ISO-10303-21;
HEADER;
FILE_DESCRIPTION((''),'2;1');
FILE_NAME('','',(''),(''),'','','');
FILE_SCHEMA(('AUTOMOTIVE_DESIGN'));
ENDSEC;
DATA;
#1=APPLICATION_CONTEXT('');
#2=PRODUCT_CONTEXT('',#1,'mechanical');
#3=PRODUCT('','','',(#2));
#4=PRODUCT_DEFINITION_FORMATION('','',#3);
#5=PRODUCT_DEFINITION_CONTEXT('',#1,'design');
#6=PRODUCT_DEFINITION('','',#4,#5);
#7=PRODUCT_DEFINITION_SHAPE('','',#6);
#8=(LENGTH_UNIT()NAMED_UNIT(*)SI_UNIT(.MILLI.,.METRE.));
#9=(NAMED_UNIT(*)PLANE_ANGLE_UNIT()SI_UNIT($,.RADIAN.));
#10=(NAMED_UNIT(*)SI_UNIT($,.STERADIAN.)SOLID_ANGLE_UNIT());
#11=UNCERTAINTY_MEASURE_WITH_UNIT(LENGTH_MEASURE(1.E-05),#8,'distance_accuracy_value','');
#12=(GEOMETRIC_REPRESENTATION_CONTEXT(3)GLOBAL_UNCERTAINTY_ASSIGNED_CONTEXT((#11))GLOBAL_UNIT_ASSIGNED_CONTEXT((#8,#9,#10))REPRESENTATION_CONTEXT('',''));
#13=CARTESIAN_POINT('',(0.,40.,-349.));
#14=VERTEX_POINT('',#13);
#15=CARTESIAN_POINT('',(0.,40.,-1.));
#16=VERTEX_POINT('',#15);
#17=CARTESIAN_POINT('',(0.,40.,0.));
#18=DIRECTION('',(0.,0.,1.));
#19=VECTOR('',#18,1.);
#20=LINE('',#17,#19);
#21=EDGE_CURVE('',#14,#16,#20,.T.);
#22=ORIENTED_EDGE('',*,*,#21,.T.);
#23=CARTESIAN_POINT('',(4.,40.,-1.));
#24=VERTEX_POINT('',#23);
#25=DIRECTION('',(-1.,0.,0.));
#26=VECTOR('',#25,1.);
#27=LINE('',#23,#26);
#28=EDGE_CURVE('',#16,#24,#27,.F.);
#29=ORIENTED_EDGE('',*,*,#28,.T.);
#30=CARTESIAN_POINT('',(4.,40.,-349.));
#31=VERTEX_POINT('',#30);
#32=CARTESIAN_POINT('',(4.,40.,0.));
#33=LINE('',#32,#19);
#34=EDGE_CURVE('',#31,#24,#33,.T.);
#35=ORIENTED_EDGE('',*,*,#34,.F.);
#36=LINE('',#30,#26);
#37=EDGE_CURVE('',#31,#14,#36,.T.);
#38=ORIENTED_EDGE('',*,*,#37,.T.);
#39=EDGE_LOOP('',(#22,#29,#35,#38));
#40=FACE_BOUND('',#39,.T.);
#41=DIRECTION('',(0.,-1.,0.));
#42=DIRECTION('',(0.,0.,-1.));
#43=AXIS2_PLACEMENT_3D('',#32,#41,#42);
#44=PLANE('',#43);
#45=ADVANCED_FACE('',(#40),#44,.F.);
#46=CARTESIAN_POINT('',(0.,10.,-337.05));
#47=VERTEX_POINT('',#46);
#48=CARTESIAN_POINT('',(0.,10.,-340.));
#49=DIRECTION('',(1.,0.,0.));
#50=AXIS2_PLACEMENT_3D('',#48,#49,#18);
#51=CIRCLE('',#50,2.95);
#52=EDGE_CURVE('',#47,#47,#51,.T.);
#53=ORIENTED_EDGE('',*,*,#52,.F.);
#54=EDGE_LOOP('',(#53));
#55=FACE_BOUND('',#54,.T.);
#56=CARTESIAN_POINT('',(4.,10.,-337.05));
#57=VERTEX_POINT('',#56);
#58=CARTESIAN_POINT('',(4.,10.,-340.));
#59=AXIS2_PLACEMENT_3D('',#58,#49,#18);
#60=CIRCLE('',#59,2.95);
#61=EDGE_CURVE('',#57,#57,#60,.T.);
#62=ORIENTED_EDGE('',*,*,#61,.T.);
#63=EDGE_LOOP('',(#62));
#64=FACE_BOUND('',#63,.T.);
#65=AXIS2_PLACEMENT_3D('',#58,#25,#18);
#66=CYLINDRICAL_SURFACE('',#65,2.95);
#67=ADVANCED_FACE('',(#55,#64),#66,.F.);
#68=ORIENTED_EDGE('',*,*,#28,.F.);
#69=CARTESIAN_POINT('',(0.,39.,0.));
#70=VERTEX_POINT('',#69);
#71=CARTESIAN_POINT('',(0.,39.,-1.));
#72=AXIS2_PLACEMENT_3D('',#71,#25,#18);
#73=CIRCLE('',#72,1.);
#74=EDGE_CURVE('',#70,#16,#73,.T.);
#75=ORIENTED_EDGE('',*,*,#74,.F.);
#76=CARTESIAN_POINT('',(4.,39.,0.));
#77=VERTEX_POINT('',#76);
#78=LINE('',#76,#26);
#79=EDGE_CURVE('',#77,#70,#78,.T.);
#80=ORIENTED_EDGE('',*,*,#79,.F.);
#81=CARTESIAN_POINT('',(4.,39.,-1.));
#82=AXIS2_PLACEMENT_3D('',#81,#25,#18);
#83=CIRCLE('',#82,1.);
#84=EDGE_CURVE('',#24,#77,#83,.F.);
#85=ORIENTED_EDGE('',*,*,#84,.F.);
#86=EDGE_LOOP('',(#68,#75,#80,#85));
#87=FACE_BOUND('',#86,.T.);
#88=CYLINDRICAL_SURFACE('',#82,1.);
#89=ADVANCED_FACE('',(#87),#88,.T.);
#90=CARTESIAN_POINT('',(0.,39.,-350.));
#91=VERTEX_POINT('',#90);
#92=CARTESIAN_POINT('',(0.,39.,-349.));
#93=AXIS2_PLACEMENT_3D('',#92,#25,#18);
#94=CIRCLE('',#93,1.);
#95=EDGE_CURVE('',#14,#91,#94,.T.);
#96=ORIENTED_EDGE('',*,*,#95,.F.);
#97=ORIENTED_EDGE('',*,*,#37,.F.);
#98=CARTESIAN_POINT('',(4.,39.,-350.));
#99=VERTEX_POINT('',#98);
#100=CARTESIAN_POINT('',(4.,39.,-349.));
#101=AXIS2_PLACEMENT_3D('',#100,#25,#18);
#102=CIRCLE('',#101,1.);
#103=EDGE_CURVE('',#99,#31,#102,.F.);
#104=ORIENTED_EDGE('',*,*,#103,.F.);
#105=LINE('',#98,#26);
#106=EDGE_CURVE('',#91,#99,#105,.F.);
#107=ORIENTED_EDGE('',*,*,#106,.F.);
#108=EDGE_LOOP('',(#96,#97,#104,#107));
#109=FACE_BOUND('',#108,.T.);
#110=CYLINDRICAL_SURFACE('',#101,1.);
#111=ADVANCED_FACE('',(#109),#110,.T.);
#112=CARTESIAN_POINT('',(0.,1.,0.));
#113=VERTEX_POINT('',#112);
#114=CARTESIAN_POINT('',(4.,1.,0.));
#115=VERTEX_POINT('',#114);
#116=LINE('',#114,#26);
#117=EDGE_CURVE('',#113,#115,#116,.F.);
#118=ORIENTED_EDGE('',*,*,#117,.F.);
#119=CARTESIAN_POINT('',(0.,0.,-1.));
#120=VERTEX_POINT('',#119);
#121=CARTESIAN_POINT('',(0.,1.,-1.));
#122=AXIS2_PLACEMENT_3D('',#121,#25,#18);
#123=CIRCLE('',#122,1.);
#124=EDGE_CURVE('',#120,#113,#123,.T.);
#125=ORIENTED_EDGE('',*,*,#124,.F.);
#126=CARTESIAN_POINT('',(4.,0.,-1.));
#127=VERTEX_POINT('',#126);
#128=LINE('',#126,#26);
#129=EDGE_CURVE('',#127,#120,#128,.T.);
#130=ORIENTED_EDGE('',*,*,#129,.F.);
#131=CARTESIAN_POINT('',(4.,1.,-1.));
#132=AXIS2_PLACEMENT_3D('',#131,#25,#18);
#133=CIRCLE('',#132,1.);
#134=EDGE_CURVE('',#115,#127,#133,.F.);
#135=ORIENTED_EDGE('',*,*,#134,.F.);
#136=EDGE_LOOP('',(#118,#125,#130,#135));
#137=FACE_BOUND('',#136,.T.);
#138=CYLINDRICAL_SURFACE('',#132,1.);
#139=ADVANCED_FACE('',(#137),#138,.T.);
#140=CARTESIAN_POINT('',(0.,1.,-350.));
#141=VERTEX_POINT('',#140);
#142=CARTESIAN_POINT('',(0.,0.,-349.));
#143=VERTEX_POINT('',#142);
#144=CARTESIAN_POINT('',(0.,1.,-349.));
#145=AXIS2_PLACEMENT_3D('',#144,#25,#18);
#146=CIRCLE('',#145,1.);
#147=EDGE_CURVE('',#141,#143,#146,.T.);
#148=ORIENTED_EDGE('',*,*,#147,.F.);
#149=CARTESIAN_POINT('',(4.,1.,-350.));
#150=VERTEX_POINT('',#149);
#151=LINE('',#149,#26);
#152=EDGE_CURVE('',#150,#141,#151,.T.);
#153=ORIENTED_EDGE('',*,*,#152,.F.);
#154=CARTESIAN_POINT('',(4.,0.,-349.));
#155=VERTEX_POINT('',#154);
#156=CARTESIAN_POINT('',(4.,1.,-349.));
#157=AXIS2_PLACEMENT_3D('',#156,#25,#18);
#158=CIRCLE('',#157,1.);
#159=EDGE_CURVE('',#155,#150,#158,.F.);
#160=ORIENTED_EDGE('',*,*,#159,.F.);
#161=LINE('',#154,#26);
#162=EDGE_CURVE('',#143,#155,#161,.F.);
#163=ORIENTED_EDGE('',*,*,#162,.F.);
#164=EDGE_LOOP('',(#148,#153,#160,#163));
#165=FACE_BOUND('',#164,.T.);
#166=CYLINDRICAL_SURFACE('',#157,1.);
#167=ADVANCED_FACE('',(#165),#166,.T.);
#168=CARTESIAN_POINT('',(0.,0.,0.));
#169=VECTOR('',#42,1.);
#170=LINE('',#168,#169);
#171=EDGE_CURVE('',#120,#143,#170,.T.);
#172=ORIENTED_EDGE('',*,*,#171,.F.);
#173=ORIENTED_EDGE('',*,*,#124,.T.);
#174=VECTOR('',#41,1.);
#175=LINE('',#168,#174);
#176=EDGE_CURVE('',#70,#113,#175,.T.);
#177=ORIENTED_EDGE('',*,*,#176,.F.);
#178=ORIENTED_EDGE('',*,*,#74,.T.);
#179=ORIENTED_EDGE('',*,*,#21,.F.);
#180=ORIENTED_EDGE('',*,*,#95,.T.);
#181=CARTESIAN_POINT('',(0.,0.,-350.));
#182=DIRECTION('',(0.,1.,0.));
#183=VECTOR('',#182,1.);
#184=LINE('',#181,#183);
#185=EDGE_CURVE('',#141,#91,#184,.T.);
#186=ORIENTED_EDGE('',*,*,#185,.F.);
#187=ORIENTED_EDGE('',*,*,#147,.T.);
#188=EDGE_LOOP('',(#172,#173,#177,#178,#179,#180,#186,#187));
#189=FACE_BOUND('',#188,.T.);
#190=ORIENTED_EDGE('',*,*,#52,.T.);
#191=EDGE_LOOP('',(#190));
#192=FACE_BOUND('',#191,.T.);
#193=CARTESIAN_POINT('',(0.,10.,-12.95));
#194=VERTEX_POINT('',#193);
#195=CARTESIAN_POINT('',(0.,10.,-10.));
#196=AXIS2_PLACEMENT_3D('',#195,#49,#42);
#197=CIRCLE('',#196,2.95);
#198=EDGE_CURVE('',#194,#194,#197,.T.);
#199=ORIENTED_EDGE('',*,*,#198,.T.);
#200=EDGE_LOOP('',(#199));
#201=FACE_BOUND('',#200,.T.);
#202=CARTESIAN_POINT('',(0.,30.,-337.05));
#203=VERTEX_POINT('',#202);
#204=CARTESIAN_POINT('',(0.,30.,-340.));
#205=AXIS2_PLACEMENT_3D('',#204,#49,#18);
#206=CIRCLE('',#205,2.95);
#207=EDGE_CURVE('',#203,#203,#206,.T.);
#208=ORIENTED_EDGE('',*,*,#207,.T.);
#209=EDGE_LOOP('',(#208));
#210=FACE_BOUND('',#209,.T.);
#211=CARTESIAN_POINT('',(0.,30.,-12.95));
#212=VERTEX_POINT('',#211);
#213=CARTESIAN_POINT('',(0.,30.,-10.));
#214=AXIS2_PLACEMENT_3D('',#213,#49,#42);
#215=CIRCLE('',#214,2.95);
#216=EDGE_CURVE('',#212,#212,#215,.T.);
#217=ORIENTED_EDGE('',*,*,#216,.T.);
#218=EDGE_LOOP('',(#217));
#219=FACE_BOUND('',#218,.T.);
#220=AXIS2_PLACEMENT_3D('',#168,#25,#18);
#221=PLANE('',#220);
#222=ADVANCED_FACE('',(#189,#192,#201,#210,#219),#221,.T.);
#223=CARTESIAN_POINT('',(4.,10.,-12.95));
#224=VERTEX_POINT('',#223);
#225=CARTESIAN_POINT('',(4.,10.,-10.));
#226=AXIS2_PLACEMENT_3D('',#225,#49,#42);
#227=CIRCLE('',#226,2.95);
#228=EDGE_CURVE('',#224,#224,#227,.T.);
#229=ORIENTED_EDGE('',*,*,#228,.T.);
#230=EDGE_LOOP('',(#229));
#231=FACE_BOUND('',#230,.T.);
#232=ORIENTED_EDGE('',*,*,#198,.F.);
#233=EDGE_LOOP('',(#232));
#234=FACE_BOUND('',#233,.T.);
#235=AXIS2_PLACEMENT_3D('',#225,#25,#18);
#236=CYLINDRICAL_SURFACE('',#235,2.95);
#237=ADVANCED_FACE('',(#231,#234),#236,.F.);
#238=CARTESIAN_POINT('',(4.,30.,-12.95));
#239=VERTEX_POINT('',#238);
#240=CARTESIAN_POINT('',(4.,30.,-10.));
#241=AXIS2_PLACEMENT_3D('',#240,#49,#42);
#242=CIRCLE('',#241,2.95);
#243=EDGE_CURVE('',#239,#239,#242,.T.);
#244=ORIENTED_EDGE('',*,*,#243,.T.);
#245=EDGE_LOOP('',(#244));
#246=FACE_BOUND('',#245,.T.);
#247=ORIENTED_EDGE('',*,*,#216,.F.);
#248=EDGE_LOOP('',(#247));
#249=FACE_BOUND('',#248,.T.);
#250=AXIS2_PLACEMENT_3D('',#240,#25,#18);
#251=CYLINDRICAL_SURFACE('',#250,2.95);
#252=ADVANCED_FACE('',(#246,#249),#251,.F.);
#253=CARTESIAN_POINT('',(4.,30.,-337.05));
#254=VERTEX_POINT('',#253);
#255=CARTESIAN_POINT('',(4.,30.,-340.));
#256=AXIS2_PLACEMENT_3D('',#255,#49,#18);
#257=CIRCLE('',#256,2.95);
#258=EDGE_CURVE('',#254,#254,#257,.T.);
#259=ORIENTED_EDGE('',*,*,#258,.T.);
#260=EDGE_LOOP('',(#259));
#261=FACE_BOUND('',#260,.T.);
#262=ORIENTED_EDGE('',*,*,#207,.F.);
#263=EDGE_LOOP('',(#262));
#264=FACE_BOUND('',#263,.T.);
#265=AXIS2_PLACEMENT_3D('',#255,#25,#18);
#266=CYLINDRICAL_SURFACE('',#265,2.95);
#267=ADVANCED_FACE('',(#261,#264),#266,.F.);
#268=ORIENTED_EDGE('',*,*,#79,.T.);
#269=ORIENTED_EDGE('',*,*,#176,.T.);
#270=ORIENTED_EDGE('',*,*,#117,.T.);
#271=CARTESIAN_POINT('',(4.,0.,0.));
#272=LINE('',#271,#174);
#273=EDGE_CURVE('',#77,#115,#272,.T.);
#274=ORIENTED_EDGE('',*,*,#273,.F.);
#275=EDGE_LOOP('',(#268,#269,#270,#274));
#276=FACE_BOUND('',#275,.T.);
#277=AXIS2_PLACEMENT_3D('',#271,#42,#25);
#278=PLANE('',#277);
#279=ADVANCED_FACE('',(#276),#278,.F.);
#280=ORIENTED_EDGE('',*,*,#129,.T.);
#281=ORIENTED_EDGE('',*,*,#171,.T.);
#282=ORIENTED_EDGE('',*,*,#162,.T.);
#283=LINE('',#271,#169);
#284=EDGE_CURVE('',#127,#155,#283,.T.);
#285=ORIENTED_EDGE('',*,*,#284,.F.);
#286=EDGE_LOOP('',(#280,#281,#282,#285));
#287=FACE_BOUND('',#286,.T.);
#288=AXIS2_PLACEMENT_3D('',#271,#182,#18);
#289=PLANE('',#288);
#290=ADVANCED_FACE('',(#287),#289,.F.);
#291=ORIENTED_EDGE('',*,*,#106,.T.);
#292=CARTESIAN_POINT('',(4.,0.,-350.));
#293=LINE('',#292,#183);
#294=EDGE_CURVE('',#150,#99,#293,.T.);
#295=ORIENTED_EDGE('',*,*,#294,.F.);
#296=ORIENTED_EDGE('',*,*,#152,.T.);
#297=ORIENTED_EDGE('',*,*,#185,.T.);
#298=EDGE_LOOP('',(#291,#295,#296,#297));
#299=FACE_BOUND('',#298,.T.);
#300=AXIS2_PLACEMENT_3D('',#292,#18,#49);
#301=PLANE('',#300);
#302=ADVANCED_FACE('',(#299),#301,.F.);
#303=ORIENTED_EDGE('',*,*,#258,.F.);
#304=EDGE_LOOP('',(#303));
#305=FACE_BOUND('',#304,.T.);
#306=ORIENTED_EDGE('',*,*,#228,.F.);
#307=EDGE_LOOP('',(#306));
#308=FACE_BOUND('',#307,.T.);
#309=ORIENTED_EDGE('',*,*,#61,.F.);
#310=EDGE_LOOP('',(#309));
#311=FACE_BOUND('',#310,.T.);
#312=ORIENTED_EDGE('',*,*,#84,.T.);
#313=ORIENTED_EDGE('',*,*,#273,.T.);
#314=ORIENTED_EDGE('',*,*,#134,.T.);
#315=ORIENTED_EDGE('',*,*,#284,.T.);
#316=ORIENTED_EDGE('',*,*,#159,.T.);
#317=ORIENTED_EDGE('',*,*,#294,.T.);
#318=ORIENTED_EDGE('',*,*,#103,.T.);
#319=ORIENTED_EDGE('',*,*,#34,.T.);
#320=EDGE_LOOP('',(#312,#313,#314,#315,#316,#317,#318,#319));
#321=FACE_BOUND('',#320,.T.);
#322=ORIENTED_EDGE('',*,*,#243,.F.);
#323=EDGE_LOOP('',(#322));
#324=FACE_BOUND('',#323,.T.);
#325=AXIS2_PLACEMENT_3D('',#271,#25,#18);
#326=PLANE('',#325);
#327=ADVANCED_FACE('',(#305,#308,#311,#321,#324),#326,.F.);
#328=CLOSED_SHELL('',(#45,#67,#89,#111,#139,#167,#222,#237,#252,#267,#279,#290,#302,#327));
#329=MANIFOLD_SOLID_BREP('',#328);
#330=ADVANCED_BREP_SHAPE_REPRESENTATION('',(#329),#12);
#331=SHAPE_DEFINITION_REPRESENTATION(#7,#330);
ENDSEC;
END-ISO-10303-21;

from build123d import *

# Parameters (mm, degrees)
SKETCH_1_W      = 350
SKETCH_1_H      = 40
SKETCH_1_R      = 2.95
EXTRUDE_1_DEPTH = 4
FILLET_1_R      = 1


with BuildPart() as part:
    # 草图1 → 凸台-拉伸1 (new body)
    with BuildSketch(Plane(origin=(0, 0, 0), x_dir=(0, 0, -1), z_dir=(1, 0, 0))):
        with Locations((175, 20)):
            Rectangle(SKETCH_1_W, SKETCH_1_H)
        with Locations((10, 30)):
            Circle(SKETCH_1_R, mode=Mode.SUBTRACT)
        with Locations((10, 10)):
            Circle(SKETCH_1_R, mode=Mode.SUBTRACT)
        with Locations(Location((340, 10, 0), (0, 0, 180))):
            Circle(SKETCH_1_R, mode=Mode.SUBTRACT)
        with Locations(Location((340, 30, 0), (0, 0, 180))):
            Circle(SKETCH_1_R, mode=Mode.SUBTRACT)
    extrude(amount=EXTRUDE_1_DEPTH)

    # 圆角1
    fillet_1_edges = [part.edges().sort_by_distance(p)[0] for p in [
        (2, 40, 0),
        (2, 40, -350),
        (2, 0, -350),
        (2, 0, 0),
    ]]
    fillet(fillet_1_edges, radius=FILLET_1_R)


solid = part.part
